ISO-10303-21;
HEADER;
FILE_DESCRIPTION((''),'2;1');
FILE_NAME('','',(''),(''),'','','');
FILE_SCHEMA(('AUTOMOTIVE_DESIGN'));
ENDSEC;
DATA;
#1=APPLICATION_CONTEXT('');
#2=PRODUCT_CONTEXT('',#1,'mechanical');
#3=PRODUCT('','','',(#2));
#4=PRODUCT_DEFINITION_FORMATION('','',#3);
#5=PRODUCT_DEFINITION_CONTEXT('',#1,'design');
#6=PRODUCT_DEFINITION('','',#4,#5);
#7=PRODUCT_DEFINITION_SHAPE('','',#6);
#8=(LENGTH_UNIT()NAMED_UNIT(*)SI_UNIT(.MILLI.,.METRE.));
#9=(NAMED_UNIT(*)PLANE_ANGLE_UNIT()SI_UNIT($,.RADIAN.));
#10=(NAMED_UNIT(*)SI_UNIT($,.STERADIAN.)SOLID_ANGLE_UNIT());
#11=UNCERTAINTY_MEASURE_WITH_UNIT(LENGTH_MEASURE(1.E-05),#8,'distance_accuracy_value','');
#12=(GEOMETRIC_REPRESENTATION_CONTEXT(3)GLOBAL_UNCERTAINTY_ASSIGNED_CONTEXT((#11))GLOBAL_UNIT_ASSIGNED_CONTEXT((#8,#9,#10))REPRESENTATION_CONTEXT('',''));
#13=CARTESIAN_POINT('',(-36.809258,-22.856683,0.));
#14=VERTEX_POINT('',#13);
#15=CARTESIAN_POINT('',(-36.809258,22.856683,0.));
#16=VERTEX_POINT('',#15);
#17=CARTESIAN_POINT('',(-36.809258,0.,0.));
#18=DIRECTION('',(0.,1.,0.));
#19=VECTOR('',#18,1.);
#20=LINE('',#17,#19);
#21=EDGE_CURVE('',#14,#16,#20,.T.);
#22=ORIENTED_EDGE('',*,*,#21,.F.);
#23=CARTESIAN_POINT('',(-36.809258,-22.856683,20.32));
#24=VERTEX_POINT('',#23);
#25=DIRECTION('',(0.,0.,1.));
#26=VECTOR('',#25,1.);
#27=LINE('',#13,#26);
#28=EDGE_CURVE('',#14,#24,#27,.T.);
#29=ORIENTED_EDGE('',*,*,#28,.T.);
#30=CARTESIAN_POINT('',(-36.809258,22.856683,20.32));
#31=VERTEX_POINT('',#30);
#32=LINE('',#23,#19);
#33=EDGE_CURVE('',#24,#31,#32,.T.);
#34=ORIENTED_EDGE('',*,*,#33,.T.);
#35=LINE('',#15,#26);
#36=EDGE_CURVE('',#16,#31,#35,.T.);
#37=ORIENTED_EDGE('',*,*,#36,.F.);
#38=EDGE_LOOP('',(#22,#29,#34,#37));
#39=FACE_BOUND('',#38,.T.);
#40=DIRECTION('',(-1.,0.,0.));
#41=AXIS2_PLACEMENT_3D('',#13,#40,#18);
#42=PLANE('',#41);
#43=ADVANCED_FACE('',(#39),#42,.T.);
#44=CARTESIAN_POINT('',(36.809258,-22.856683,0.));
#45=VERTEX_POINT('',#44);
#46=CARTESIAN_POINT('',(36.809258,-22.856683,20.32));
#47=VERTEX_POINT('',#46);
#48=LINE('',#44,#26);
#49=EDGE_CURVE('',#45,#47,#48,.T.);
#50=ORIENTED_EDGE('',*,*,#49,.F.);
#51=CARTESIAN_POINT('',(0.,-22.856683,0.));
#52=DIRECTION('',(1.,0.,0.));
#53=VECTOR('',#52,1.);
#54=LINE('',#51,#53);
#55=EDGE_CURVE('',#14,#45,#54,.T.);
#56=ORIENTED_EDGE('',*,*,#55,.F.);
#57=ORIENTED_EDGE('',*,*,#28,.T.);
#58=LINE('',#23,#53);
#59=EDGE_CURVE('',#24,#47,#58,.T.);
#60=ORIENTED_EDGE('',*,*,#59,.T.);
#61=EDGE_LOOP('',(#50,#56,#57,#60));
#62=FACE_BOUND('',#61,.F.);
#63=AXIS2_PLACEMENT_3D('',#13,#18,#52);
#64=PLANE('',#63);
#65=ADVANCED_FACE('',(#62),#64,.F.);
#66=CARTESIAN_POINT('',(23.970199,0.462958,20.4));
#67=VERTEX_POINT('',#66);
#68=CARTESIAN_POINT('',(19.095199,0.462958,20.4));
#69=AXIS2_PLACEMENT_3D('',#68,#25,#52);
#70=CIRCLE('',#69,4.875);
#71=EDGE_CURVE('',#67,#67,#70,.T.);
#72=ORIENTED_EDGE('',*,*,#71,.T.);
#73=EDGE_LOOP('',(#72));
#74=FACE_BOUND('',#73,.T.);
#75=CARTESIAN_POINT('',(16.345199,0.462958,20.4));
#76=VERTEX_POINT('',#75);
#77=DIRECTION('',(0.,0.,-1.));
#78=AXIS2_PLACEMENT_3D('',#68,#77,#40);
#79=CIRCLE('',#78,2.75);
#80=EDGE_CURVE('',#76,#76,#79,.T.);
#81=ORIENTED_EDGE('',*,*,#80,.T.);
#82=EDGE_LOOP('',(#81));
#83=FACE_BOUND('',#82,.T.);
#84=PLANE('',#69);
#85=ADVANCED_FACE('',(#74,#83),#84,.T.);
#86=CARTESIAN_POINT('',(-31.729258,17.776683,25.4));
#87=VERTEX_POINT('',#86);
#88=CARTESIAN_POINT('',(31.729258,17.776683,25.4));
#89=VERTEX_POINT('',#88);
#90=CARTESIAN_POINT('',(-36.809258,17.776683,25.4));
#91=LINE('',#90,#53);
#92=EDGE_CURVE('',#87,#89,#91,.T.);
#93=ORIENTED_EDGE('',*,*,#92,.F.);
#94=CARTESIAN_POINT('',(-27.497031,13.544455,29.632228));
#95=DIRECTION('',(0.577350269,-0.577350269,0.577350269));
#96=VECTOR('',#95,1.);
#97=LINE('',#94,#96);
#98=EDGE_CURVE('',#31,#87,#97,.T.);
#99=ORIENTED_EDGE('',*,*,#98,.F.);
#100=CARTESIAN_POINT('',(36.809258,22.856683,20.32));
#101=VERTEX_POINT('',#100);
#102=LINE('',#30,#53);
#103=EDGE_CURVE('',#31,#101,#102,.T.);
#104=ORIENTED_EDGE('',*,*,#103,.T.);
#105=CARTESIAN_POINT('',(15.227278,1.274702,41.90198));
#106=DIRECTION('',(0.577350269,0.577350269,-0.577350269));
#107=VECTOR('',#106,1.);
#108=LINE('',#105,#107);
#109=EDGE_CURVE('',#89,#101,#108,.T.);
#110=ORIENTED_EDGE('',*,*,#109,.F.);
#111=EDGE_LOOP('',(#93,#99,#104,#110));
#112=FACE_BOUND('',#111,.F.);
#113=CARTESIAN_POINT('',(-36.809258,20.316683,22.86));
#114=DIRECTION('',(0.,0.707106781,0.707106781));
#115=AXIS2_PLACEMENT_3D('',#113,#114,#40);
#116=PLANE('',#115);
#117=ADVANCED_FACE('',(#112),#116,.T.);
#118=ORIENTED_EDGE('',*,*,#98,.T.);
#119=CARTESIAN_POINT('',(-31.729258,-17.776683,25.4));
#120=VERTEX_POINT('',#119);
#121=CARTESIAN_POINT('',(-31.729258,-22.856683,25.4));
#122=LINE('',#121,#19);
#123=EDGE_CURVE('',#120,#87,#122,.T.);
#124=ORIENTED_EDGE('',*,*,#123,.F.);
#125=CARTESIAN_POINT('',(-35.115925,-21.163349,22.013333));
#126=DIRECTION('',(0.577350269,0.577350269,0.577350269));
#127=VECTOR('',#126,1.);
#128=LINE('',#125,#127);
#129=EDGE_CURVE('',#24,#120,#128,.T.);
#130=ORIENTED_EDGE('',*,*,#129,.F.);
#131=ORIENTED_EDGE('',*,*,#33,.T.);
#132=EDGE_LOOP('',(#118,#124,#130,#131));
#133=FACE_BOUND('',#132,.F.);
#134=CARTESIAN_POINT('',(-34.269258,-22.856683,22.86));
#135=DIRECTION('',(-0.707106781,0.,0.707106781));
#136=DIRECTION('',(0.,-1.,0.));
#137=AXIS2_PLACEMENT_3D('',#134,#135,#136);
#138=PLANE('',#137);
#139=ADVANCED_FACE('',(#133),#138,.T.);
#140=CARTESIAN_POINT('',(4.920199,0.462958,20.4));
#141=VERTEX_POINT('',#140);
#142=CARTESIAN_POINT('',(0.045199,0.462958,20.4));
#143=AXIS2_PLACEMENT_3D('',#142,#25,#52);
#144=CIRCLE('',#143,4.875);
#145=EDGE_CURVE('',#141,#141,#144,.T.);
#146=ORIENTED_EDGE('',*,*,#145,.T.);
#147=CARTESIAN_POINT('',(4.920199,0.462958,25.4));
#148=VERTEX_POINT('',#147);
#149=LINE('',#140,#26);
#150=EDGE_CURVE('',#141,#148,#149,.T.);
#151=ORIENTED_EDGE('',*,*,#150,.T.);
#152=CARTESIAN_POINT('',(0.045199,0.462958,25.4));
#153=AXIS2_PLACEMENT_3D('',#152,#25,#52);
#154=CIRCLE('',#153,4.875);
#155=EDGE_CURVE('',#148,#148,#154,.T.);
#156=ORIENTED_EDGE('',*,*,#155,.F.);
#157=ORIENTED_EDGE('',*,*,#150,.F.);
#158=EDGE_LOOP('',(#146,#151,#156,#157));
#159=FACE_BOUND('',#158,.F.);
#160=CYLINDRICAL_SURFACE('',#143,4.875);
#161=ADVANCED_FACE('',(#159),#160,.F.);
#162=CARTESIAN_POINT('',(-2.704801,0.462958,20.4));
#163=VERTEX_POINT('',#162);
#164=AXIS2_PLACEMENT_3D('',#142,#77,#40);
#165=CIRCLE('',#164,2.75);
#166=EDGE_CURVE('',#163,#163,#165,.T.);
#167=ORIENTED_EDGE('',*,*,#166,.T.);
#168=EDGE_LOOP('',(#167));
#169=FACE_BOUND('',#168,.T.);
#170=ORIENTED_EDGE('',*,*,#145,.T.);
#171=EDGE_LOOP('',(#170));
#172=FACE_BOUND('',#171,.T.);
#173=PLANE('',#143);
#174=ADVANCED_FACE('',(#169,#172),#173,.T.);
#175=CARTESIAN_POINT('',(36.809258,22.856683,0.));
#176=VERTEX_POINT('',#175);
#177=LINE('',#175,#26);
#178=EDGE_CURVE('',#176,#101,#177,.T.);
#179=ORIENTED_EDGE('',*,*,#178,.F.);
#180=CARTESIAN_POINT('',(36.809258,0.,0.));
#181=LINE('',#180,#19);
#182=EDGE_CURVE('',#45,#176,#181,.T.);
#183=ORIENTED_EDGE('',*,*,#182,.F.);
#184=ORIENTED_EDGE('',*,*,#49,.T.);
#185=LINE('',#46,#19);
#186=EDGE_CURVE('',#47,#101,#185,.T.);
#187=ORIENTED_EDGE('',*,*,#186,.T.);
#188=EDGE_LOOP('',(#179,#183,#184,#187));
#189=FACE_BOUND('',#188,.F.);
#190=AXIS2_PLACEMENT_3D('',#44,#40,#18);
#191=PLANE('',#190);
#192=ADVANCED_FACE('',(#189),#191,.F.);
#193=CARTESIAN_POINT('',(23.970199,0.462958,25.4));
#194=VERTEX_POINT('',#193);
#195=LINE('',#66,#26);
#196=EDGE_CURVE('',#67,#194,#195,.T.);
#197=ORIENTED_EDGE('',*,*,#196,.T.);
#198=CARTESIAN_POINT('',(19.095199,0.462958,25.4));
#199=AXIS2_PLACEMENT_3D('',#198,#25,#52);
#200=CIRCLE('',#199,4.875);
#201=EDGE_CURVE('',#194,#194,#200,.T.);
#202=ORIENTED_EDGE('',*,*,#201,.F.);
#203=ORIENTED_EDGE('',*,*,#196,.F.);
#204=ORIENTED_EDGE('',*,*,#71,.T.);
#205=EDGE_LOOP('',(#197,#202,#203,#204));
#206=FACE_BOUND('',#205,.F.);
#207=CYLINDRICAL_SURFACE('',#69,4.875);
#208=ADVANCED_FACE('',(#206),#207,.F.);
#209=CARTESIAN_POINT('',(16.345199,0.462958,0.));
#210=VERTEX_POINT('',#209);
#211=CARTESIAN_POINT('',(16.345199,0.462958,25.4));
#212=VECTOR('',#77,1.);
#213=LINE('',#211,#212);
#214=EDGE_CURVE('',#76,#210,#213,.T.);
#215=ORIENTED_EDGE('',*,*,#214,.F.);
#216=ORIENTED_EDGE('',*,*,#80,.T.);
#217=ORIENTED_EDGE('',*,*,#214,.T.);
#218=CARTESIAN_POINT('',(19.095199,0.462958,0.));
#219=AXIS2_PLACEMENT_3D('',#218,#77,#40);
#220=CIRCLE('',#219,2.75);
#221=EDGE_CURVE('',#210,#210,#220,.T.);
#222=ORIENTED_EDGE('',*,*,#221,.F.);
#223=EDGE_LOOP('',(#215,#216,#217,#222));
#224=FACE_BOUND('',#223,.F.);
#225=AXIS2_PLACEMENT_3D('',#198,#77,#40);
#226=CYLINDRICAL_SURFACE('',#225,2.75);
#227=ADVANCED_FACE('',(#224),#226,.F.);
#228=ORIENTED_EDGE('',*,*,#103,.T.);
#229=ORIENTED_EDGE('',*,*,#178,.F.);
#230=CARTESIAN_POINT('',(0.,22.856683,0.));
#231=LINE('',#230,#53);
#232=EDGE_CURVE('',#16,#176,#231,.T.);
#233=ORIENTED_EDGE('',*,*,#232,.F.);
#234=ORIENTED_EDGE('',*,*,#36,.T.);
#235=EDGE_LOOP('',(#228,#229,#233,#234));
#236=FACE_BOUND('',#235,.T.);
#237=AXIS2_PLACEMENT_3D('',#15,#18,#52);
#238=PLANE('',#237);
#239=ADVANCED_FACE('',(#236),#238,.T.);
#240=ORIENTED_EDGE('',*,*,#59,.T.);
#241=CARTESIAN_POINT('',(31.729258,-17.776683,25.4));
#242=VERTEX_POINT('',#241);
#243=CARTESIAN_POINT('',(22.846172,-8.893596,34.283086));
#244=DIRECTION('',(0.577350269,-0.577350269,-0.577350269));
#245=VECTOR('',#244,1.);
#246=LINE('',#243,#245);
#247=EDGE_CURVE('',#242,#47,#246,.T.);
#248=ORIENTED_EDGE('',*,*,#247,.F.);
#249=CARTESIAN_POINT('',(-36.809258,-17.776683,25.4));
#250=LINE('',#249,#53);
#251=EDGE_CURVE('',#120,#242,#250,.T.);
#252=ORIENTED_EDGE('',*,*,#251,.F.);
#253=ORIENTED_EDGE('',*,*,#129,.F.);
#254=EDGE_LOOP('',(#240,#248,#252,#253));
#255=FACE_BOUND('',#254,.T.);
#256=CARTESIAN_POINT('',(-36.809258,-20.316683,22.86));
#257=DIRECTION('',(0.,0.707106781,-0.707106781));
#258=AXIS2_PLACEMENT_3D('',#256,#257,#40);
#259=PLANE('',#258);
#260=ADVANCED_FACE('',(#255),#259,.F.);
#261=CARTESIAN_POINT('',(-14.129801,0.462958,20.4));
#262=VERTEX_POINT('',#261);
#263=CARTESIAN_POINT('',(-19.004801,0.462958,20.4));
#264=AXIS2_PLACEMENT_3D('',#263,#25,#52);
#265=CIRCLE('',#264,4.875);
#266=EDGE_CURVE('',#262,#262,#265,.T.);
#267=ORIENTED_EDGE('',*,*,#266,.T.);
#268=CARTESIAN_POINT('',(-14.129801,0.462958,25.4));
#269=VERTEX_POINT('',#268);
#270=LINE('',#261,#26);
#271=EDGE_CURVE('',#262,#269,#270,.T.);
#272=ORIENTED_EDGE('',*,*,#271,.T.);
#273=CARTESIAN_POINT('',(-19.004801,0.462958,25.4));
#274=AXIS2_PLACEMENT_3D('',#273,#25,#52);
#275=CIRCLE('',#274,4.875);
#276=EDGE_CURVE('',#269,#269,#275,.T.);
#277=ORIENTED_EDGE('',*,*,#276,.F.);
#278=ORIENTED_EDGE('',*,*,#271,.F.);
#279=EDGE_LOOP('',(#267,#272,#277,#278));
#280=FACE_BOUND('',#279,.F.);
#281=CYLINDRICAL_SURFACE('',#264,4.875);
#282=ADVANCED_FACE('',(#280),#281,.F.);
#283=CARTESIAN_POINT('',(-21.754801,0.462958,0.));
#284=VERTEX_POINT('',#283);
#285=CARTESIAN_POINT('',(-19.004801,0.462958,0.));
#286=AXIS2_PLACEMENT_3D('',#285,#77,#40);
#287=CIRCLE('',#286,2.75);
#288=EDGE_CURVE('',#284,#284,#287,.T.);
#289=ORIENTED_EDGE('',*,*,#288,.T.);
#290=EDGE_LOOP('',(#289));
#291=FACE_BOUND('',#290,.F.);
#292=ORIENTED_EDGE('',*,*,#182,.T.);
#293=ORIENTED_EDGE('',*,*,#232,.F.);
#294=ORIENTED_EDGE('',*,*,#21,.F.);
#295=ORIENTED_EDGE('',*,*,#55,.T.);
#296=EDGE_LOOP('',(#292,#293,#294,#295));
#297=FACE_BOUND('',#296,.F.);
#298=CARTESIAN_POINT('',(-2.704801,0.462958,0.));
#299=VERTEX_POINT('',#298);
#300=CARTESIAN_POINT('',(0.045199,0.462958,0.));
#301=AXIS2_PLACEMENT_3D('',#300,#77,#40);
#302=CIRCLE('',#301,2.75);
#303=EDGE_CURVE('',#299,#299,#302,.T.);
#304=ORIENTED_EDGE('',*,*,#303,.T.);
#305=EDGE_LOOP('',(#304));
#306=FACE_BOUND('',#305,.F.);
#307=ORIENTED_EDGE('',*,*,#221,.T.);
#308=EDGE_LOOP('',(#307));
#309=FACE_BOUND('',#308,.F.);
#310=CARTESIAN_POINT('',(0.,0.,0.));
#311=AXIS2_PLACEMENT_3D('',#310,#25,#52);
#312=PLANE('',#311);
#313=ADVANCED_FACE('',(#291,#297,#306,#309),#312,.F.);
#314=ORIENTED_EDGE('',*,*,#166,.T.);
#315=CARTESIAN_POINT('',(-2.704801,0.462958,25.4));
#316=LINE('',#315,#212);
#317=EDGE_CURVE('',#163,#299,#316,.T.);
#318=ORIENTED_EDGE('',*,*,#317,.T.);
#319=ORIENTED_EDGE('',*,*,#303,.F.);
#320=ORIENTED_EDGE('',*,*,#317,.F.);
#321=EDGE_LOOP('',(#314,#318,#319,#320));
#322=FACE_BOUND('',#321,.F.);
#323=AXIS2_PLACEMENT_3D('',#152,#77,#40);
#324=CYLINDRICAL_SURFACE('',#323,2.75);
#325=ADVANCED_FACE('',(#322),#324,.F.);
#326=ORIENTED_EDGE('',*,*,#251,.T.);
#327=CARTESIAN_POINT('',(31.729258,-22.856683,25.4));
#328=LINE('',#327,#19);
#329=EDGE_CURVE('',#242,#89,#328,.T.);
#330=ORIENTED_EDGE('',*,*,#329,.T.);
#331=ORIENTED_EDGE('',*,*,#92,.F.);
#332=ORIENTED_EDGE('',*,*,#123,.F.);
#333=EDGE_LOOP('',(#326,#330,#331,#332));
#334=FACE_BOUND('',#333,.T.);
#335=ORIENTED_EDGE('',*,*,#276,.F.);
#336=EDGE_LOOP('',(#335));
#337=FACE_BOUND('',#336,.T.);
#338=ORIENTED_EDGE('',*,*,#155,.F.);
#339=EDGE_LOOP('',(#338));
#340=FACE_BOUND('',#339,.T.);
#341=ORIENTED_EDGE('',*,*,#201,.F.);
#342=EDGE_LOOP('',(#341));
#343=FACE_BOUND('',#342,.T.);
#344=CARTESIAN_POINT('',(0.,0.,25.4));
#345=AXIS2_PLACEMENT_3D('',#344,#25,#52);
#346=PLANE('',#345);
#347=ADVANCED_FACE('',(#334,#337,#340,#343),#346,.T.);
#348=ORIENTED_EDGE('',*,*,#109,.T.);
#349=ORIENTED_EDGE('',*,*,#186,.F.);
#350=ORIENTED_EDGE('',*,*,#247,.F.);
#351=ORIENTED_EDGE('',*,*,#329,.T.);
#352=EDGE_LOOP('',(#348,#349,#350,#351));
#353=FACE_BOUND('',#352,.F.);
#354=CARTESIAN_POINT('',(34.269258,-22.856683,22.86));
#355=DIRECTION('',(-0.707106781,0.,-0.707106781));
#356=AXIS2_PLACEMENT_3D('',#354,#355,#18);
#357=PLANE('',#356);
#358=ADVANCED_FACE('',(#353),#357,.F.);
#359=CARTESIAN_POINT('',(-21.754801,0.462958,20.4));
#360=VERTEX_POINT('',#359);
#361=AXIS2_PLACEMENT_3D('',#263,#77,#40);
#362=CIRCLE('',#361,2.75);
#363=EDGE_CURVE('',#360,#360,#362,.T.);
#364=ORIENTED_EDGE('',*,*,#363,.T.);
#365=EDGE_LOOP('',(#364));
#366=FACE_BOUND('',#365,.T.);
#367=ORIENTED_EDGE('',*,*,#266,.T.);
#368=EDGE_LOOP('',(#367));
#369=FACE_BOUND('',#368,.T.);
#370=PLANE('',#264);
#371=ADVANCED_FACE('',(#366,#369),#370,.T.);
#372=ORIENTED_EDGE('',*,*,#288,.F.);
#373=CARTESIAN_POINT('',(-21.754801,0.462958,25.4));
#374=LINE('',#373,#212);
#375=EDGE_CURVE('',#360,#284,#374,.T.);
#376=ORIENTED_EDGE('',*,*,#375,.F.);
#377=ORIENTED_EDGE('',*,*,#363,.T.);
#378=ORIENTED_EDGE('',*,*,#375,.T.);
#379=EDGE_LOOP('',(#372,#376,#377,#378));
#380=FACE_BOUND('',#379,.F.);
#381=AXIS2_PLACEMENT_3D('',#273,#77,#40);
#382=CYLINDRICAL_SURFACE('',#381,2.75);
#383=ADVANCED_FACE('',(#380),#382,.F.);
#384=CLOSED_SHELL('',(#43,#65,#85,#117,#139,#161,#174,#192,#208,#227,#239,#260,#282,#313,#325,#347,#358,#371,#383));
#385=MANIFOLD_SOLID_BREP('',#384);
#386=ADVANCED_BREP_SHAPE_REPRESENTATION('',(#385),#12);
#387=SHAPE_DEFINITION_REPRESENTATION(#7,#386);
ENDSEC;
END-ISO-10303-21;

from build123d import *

# Parameters (mm, degrees)
F0_W           = 73.618516326
F0_H           = 45.713365078
F1_DEPTH       = 25.4
F3_D           = 5.5
F3_CBORE_D     = 9.75
F3_CBORE_DEPTH = 5
F4_SIZE        = 5.08


with BuildPart() as f1:
    # F0 (on Top) → F1 (new body)
    with BuildSketch(Plane.XY):
        Rectangle(F0_W, F0_H)
    extrude(amount=F1_DEPTH)

    # F3 (through all)
    with Locations(Plane.XY.offset(25.4)):
        with Locations((0.0451991563, 0.4629576465), (-19.0048008437, 0.4629576465), (19.0951991563, 0.4629576465)):
            CounterBoreHole(F3_D / 2, F3_CBORE_D / 2, F3_CBORE_DEPTH)

    # F4
    f4_edges = [f1.edges().sort_by_distance(p)[0] for p in [
        (36.809258, 0, 25.4),
        (0, 22.856683, 25.4),
        (-36.809258, 0, 25.4),
        (0, -22.856683, 25.4),
    ]]
    chamfer(f4_edges, length=F4_SIZE)


solid = f1.part
